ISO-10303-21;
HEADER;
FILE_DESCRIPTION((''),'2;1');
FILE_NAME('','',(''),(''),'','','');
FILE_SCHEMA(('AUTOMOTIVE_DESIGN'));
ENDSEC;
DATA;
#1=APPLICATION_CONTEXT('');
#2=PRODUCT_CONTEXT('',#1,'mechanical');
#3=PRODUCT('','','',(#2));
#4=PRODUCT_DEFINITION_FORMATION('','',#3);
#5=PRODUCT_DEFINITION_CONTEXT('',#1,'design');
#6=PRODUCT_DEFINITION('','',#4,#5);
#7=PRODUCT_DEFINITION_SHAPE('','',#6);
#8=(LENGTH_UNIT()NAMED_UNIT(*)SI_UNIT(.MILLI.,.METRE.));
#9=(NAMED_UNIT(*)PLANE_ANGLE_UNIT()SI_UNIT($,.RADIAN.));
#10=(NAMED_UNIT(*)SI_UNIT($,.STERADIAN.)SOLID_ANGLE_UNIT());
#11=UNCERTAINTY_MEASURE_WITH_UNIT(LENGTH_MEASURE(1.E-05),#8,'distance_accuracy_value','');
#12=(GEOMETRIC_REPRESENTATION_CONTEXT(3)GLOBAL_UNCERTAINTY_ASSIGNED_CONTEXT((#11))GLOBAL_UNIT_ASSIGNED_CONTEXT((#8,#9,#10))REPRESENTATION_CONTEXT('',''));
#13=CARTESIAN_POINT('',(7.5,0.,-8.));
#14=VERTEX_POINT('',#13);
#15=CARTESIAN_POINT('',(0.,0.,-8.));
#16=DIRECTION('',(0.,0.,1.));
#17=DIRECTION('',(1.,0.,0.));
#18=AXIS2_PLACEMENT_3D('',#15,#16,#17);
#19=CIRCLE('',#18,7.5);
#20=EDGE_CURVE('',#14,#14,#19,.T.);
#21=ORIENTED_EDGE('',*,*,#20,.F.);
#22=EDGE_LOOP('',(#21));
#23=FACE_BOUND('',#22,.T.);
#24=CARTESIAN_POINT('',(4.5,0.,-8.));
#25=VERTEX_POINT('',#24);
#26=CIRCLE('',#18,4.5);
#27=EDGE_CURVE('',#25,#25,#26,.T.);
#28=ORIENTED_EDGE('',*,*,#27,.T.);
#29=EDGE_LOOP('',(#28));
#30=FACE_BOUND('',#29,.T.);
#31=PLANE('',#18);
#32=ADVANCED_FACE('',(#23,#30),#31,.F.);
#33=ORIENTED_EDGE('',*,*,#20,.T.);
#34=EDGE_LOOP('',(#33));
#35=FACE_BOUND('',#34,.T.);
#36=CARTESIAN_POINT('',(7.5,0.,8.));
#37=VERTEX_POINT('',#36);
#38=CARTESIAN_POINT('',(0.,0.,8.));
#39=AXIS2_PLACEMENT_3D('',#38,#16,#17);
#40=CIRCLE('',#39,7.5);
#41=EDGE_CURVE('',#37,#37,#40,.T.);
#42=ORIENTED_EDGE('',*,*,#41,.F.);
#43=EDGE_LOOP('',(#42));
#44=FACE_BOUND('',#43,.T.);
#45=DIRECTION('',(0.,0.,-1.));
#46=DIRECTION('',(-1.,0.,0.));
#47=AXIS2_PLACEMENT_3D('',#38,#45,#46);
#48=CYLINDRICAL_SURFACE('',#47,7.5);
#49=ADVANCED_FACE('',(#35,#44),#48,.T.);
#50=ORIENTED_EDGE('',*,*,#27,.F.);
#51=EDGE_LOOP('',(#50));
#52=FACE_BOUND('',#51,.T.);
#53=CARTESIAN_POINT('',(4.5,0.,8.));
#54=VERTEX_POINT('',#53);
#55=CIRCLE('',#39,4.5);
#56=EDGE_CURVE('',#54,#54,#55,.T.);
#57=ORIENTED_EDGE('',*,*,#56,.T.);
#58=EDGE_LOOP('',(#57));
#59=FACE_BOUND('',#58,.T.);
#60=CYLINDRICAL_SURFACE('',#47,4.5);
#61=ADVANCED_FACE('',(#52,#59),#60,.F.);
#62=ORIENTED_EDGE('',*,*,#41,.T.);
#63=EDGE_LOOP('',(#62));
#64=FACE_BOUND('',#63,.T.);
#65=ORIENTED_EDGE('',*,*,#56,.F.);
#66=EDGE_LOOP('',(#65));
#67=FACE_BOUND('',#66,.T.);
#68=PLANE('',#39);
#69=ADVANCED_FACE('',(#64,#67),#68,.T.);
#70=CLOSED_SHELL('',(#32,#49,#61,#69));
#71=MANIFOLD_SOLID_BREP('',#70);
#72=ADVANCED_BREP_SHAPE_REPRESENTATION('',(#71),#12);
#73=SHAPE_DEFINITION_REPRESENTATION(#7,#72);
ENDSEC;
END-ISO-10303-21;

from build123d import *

# Parameters (mm, degrees)
SKETCH_1_R      = 7.5
SKETCH_1_R_2    = 4.5
EXTRUDE_1_DEPTH = 8


with BuildPart() as part:
    # 草图1 → 凸台-拉伸1 (new, symmetric)
    with BuildSketch(Plane.XY):
        Circle(SKETCH_1_R)
        Circle(SKETCH_1_R_2, mode=Mode.SUBTRACT)
    extrude(amount=EXTRUDE_1_DEPTH, both=True)


solid = part.part
